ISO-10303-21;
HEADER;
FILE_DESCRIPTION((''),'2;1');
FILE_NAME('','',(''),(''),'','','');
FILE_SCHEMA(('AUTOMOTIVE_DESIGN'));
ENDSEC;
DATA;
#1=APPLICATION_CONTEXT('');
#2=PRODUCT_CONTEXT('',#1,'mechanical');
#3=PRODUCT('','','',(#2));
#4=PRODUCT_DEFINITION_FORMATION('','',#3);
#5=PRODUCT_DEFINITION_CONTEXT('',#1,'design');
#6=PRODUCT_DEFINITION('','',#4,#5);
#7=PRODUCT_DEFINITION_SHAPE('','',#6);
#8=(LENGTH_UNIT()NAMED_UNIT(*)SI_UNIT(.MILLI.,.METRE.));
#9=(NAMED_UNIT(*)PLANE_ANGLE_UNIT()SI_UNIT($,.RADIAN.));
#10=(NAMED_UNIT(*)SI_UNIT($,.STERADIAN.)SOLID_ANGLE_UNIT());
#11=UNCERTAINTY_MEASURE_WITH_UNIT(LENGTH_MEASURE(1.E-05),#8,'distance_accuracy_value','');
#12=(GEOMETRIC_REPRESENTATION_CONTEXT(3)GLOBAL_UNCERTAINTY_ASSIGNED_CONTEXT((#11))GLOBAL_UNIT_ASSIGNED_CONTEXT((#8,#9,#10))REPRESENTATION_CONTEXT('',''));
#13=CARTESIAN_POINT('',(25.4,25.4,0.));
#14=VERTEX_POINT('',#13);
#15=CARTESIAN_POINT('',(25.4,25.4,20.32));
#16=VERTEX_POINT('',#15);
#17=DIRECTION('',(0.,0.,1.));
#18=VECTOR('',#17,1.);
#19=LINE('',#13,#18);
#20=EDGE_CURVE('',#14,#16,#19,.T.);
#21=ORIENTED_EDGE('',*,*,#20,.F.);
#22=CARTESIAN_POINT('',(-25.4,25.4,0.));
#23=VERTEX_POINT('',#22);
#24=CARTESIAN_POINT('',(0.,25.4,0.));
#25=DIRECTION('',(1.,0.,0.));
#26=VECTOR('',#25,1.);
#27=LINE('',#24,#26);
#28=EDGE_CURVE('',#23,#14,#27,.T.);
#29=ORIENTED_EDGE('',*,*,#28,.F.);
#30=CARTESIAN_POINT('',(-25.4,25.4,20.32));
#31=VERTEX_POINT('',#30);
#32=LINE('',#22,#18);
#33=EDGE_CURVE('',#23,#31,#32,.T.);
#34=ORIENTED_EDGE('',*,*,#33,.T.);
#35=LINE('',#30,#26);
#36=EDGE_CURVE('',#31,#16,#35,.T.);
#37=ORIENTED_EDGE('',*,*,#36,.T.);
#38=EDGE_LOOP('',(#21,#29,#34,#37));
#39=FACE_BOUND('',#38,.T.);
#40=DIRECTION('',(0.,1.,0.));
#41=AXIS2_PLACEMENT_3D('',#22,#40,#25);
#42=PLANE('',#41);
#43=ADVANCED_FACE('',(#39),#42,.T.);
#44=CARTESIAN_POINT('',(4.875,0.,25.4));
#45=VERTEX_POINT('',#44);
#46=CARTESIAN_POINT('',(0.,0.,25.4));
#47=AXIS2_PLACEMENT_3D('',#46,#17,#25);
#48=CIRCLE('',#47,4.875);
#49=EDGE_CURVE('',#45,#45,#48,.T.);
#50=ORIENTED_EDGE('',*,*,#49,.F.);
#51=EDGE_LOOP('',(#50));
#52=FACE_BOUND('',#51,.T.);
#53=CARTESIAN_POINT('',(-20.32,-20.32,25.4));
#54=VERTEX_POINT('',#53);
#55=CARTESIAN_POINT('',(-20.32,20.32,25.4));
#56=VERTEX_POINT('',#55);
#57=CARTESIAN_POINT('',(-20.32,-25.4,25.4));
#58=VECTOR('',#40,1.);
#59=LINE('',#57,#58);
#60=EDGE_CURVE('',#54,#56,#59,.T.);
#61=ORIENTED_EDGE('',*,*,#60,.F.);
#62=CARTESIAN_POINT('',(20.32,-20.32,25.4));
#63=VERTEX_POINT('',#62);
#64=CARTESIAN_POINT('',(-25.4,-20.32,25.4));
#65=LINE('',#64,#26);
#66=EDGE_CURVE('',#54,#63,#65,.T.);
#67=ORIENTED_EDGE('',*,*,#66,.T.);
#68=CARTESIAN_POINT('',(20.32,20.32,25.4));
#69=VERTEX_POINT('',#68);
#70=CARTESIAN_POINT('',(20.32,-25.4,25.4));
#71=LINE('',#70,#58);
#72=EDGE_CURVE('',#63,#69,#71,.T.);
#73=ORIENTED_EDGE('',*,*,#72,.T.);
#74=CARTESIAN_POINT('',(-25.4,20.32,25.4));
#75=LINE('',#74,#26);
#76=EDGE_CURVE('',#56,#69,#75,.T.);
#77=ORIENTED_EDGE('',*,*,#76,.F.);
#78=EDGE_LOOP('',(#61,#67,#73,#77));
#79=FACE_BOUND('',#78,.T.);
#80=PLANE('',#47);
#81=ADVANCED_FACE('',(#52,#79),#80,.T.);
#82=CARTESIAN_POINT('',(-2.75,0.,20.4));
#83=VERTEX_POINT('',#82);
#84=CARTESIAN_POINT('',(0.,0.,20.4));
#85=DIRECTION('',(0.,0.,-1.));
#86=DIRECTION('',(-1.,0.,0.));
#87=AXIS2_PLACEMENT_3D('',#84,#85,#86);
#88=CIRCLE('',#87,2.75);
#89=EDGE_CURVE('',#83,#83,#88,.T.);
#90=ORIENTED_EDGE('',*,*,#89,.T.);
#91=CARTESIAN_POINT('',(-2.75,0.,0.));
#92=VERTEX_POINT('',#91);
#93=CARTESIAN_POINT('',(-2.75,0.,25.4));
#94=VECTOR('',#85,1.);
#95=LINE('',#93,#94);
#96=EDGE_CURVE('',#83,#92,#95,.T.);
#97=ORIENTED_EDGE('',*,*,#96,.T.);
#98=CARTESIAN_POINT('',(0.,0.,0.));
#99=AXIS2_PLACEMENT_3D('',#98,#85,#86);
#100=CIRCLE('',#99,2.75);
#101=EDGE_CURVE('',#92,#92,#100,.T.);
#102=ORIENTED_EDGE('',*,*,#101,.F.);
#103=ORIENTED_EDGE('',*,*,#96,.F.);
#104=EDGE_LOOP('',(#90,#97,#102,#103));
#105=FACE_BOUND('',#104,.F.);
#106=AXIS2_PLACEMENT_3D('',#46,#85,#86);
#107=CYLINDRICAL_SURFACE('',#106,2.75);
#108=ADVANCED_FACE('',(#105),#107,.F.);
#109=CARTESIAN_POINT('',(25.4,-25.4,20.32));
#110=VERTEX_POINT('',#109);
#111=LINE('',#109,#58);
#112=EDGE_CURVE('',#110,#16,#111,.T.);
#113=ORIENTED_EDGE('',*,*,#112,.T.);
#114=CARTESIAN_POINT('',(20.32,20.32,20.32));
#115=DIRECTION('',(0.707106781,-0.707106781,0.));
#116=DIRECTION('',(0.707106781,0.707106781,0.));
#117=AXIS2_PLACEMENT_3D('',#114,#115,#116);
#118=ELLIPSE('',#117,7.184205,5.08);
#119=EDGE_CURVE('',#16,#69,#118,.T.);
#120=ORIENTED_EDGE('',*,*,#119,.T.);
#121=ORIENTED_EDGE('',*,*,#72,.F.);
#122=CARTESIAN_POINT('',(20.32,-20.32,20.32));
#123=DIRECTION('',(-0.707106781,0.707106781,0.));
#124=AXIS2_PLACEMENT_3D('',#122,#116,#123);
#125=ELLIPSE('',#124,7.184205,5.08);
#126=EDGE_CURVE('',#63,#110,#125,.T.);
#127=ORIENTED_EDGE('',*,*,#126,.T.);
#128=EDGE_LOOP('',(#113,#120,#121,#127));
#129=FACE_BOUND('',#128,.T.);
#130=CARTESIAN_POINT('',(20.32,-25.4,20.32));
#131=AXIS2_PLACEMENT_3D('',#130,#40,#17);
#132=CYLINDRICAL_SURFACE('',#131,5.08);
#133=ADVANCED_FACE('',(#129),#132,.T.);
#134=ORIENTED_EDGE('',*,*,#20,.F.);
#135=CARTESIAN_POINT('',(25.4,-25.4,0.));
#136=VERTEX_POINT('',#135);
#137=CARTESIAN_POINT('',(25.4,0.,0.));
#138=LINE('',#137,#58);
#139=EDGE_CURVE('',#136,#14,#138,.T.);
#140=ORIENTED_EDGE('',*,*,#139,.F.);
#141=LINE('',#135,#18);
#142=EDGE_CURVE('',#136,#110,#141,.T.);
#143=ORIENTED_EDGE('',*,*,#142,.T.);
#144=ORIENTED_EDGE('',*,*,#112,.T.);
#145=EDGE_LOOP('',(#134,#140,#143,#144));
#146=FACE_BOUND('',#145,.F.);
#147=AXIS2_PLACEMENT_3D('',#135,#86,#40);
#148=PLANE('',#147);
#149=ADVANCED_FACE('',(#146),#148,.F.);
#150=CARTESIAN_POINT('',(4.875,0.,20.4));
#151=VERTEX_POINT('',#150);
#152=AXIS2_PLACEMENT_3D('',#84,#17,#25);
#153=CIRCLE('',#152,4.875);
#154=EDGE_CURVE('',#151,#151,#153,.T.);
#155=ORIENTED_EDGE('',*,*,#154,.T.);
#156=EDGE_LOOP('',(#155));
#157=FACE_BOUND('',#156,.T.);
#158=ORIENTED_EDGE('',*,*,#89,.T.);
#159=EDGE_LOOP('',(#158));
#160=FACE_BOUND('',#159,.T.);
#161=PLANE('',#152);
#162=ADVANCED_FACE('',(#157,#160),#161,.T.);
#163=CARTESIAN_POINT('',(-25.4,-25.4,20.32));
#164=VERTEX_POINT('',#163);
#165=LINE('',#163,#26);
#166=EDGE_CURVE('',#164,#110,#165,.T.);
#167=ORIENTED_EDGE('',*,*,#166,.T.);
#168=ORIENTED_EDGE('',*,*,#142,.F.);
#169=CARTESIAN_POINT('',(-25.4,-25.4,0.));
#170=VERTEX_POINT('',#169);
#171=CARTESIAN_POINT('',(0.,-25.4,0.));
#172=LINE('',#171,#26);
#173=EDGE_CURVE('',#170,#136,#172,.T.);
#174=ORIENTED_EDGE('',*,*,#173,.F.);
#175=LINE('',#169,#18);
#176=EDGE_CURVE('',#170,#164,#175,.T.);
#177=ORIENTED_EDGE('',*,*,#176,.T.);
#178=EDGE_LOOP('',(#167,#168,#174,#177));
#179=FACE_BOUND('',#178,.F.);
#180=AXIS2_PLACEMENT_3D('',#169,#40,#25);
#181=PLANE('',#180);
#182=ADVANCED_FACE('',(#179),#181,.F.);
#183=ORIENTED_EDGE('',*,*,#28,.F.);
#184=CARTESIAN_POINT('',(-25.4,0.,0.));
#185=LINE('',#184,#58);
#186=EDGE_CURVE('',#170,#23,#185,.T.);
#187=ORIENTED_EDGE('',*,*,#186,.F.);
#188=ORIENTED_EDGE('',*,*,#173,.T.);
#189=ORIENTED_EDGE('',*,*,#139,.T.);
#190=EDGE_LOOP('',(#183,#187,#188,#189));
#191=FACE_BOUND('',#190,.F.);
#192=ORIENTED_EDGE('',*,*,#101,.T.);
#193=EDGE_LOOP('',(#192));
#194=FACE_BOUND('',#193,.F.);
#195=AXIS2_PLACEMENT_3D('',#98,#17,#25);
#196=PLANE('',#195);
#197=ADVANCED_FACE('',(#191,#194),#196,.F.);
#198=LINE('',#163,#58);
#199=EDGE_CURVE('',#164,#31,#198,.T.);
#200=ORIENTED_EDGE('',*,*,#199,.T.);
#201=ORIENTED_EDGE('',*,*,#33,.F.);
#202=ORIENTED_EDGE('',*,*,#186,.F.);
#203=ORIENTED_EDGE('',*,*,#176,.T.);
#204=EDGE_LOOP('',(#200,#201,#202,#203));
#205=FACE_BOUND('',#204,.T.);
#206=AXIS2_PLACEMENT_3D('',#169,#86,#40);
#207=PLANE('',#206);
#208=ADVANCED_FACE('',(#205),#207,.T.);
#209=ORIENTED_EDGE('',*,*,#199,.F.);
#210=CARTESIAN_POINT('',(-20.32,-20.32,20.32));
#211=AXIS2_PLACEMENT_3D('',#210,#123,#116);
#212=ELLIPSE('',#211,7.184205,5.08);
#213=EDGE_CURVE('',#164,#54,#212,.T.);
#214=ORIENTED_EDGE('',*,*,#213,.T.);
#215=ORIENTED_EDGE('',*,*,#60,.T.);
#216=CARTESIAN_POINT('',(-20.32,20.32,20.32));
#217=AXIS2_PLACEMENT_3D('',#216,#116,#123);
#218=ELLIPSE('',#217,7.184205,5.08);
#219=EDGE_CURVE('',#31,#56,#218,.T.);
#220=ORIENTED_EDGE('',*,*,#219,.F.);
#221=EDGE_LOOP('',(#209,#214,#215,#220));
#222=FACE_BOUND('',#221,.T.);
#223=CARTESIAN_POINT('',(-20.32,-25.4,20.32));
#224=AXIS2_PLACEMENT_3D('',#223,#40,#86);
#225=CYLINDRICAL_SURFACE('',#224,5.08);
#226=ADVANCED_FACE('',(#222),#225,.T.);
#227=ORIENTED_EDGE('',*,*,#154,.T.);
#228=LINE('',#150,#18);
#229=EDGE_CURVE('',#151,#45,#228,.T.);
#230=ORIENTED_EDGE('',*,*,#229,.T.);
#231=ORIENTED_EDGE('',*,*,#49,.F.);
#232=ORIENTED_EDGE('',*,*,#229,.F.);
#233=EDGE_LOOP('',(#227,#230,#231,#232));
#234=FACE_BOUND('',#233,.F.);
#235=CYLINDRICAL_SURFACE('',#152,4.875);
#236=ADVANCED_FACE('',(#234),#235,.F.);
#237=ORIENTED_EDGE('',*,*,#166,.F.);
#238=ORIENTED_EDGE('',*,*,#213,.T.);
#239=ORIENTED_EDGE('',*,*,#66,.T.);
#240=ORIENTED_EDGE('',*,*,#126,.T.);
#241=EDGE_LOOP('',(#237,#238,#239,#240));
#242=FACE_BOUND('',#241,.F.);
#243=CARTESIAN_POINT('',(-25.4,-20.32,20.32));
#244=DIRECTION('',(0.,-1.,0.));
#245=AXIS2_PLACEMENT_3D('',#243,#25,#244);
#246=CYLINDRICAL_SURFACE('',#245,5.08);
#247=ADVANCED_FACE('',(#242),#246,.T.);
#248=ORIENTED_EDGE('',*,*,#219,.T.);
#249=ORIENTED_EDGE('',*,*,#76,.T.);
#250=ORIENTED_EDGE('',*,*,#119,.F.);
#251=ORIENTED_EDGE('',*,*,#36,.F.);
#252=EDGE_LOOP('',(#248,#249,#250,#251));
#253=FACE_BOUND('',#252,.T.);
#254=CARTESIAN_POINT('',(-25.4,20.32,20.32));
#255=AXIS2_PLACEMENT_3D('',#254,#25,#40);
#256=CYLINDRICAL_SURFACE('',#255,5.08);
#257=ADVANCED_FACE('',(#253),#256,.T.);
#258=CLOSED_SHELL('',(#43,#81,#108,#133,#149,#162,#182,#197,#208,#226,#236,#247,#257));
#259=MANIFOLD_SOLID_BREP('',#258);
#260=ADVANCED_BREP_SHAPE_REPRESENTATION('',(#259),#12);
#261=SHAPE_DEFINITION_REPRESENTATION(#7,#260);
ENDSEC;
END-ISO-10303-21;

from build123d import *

# Parameters (mm, degrees)
F0_W           = 50.8
F0_H           = 50.8
F1_DEPTH       = 25.4
F3_D           = 5.5
F3_CBORE_D     = 9.75
F3_CBORE_DEPTH = 5
F4_R           = 5.08


with BuildPart() as f1:
    # F0 (on Top) → F1 (new body)
    with BuildSketch(Plane.XY):
        Rectangle(F0_W, F0_H)
    extrude(amount=F1_DEPTH)

    # F3 (through all)
    with Locations(Plane.XY.offset(25.4)):
        with Locations((0, 0)):
            CounterBoreHole(F3_D / 2, F3_CBORE_D / 2, F3_CBORE_DEPTH)

    # F4
    f4_edges = [f1.edges().sort_by_distance(p)[0] for p in [
        (-25.4, 0, 25.4),
        (0, 25.4, 25.4),
        (25.4, 0, 25.4),
        (0, -25.4, 25.4),
    ]]
    fillet(f4_edges, radius=F4_R)


solid = f1.part
